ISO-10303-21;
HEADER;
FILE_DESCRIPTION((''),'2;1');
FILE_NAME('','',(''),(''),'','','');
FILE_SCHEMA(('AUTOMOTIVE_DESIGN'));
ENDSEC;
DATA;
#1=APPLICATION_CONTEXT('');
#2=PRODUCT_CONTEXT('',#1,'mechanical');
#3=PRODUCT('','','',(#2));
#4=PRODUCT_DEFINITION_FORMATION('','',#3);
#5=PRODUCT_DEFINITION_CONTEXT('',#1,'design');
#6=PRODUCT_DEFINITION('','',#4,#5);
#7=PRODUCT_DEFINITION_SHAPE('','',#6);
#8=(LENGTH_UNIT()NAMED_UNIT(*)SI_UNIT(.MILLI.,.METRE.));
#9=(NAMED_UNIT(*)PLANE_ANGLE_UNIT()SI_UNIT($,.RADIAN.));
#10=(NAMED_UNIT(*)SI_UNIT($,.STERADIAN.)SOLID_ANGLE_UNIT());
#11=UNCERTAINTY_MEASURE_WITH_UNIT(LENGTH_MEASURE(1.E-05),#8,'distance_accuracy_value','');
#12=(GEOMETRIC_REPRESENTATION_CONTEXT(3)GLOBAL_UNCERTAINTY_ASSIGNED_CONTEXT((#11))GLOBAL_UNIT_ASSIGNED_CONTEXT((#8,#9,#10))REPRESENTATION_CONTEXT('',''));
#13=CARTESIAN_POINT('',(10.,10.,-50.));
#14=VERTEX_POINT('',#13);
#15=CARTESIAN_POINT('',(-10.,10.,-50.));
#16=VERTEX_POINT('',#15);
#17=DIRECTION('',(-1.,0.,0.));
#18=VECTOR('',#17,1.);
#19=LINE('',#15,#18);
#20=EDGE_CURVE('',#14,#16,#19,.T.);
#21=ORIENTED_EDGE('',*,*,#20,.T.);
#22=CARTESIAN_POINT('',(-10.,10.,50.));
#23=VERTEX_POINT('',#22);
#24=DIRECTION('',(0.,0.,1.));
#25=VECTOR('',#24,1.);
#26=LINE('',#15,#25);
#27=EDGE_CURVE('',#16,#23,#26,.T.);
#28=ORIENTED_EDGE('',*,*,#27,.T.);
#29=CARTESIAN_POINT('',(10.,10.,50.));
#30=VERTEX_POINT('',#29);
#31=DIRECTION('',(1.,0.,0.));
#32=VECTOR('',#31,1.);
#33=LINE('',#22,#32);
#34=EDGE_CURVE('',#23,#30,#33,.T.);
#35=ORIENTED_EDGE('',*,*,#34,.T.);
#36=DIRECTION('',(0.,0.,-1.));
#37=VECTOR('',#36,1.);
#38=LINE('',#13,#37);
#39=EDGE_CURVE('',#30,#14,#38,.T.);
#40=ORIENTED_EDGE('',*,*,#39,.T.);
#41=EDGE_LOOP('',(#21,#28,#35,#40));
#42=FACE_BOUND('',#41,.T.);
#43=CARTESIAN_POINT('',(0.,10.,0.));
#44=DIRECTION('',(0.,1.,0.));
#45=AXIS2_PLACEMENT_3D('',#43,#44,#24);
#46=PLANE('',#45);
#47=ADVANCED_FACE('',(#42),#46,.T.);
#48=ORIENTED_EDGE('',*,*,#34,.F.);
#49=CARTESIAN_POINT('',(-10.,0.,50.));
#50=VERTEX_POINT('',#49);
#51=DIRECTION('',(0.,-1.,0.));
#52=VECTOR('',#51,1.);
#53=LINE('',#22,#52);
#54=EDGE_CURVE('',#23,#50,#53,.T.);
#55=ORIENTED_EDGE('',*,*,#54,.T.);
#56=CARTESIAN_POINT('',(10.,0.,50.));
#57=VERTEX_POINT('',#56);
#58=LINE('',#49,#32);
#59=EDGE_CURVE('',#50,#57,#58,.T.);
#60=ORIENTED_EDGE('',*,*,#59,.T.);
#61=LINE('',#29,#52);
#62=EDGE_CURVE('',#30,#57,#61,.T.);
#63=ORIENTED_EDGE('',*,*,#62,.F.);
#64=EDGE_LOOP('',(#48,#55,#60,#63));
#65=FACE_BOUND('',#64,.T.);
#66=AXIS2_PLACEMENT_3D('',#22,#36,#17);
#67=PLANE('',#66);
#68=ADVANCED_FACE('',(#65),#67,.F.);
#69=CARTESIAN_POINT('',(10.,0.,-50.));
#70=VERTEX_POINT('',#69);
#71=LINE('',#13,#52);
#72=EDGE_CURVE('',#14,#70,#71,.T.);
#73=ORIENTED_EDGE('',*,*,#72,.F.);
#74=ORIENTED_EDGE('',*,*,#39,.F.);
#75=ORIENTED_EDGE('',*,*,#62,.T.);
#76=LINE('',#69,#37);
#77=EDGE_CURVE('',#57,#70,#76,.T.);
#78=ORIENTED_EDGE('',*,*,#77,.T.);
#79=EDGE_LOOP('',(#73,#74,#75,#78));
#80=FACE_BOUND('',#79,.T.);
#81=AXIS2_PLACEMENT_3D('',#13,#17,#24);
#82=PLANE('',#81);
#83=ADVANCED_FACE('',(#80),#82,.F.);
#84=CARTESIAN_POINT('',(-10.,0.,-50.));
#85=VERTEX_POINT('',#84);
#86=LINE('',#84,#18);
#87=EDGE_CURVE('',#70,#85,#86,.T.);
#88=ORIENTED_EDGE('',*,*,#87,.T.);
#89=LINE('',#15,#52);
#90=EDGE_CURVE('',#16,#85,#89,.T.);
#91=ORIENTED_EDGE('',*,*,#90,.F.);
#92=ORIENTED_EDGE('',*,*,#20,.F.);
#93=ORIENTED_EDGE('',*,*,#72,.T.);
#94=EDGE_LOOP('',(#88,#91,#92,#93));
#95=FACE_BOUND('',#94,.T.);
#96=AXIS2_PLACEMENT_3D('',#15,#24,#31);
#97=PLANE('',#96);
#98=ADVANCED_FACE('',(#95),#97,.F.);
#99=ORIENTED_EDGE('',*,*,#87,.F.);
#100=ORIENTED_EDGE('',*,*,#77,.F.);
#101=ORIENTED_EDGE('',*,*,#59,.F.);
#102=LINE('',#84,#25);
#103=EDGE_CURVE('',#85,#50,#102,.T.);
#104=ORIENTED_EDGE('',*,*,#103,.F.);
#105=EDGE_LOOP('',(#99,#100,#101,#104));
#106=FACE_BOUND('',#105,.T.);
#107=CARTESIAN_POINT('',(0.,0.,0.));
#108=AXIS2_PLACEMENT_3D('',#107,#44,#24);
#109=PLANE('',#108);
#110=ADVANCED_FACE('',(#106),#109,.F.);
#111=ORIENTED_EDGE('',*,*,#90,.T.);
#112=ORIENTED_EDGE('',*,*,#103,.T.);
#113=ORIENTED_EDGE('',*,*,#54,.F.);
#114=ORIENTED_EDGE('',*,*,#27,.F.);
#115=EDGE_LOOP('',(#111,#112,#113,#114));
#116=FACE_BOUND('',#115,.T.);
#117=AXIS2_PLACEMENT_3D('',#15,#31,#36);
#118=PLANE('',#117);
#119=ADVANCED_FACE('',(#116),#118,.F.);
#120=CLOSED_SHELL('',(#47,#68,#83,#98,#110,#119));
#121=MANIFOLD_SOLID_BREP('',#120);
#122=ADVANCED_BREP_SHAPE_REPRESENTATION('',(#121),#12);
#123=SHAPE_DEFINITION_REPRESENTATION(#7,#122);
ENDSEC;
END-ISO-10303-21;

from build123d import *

# Parameters (mm, degrees)
SKETCH1_W           = 20
SKETCH1_H           = 100
BOSS_EXTRUDE1_DEPTH = 10


with BuildPart() as part:
    # Sketch1 → Boss-Extrude1 (new body)
    with BuildSketch(Plane(origin=(0, 0, 0), x_dir=(1, 0, 0), z_dir=(0, 1, 0))):
        Rectangle(SKETCH1_W, SKETCH1_H)
    extrude(amount=BOSS_EXTRUDE1_DEPTH)


solid = part.part
